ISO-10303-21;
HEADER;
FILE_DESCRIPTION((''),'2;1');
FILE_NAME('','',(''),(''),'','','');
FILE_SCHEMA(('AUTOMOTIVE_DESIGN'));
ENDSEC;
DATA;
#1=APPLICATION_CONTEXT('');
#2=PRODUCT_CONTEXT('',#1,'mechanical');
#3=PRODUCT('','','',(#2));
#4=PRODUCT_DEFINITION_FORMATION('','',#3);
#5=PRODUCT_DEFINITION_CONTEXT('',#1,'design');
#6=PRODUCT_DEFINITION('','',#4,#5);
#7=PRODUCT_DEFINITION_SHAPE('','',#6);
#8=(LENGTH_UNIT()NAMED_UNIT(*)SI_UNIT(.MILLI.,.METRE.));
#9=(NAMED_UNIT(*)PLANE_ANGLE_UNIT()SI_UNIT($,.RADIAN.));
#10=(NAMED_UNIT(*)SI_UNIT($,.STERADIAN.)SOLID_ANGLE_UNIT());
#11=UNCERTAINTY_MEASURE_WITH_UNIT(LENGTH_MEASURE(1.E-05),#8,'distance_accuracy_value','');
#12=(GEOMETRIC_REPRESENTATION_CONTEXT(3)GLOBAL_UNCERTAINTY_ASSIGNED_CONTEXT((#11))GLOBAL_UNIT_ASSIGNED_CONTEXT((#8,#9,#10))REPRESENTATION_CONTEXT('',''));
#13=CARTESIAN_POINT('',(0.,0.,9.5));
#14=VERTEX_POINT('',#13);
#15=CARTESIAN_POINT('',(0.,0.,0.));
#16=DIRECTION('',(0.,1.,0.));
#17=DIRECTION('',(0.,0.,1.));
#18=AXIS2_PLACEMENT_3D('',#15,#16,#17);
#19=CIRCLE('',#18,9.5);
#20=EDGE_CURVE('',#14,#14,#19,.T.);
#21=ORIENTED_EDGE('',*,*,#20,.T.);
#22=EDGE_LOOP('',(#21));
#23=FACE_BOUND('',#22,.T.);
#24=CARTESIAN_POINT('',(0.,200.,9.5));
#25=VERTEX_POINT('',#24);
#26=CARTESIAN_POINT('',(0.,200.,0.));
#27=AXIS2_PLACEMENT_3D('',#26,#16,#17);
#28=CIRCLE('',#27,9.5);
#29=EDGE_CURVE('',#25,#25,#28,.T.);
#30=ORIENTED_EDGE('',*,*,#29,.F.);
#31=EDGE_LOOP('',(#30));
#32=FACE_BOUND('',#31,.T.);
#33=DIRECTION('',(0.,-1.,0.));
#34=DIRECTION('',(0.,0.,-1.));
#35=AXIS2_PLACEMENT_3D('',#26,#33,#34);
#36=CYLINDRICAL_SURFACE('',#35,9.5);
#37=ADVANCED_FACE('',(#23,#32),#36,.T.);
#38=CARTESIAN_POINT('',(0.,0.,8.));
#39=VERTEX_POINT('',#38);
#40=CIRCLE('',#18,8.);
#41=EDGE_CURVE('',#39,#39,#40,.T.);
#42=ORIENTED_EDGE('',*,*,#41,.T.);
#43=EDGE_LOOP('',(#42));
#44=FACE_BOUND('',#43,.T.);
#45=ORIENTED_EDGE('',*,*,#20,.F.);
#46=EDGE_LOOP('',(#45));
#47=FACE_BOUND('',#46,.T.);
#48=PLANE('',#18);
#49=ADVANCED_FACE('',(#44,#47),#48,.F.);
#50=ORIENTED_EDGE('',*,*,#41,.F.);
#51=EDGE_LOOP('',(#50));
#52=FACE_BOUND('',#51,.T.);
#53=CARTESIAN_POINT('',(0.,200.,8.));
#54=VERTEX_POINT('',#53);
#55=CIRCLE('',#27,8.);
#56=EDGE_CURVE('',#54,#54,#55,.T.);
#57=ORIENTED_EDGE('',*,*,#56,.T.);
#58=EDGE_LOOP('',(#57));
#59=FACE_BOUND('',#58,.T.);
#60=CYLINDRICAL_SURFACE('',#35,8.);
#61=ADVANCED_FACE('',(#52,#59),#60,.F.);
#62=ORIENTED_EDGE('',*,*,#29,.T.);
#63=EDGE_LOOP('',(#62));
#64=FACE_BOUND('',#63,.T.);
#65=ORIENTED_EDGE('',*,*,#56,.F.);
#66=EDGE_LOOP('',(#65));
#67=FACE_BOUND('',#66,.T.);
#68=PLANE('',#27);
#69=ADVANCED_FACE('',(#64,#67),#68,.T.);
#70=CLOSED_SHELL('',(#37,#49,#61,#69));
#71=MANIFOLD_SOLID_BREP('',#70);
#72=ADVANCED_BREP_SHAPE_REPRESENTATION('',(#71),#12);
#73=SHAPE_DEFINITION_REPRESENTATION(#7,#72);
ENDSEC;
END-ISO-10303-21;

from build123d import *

# Parameters (mm, degrees)
SKETCH1_R           = 9.5
SKETCH1_R_2         = 8
BOSS_EXTRUDE1_DEPTH = 200


with BuildPart() as part:
    # Sketch1 → Boss-Extrude1 (new body)
    with BuildSketch(Plane(origin=(0, 0, 0), x_dir=(1, 0, 0), z_dir=(0, 1, 0))):
        with Locations(Location((0, 0, 0), (0, 0, 270))):
            Circle(SKETCH1_R)
        with Locations(Location((0, 0, 0), (0, 0, 270))):
            Circle(SKETCH1_R_2, mode=Mode.SUBTRACT)
    extrude(amount=BOSS_EXTRUDE1_DEPTH)


solid = part.part
